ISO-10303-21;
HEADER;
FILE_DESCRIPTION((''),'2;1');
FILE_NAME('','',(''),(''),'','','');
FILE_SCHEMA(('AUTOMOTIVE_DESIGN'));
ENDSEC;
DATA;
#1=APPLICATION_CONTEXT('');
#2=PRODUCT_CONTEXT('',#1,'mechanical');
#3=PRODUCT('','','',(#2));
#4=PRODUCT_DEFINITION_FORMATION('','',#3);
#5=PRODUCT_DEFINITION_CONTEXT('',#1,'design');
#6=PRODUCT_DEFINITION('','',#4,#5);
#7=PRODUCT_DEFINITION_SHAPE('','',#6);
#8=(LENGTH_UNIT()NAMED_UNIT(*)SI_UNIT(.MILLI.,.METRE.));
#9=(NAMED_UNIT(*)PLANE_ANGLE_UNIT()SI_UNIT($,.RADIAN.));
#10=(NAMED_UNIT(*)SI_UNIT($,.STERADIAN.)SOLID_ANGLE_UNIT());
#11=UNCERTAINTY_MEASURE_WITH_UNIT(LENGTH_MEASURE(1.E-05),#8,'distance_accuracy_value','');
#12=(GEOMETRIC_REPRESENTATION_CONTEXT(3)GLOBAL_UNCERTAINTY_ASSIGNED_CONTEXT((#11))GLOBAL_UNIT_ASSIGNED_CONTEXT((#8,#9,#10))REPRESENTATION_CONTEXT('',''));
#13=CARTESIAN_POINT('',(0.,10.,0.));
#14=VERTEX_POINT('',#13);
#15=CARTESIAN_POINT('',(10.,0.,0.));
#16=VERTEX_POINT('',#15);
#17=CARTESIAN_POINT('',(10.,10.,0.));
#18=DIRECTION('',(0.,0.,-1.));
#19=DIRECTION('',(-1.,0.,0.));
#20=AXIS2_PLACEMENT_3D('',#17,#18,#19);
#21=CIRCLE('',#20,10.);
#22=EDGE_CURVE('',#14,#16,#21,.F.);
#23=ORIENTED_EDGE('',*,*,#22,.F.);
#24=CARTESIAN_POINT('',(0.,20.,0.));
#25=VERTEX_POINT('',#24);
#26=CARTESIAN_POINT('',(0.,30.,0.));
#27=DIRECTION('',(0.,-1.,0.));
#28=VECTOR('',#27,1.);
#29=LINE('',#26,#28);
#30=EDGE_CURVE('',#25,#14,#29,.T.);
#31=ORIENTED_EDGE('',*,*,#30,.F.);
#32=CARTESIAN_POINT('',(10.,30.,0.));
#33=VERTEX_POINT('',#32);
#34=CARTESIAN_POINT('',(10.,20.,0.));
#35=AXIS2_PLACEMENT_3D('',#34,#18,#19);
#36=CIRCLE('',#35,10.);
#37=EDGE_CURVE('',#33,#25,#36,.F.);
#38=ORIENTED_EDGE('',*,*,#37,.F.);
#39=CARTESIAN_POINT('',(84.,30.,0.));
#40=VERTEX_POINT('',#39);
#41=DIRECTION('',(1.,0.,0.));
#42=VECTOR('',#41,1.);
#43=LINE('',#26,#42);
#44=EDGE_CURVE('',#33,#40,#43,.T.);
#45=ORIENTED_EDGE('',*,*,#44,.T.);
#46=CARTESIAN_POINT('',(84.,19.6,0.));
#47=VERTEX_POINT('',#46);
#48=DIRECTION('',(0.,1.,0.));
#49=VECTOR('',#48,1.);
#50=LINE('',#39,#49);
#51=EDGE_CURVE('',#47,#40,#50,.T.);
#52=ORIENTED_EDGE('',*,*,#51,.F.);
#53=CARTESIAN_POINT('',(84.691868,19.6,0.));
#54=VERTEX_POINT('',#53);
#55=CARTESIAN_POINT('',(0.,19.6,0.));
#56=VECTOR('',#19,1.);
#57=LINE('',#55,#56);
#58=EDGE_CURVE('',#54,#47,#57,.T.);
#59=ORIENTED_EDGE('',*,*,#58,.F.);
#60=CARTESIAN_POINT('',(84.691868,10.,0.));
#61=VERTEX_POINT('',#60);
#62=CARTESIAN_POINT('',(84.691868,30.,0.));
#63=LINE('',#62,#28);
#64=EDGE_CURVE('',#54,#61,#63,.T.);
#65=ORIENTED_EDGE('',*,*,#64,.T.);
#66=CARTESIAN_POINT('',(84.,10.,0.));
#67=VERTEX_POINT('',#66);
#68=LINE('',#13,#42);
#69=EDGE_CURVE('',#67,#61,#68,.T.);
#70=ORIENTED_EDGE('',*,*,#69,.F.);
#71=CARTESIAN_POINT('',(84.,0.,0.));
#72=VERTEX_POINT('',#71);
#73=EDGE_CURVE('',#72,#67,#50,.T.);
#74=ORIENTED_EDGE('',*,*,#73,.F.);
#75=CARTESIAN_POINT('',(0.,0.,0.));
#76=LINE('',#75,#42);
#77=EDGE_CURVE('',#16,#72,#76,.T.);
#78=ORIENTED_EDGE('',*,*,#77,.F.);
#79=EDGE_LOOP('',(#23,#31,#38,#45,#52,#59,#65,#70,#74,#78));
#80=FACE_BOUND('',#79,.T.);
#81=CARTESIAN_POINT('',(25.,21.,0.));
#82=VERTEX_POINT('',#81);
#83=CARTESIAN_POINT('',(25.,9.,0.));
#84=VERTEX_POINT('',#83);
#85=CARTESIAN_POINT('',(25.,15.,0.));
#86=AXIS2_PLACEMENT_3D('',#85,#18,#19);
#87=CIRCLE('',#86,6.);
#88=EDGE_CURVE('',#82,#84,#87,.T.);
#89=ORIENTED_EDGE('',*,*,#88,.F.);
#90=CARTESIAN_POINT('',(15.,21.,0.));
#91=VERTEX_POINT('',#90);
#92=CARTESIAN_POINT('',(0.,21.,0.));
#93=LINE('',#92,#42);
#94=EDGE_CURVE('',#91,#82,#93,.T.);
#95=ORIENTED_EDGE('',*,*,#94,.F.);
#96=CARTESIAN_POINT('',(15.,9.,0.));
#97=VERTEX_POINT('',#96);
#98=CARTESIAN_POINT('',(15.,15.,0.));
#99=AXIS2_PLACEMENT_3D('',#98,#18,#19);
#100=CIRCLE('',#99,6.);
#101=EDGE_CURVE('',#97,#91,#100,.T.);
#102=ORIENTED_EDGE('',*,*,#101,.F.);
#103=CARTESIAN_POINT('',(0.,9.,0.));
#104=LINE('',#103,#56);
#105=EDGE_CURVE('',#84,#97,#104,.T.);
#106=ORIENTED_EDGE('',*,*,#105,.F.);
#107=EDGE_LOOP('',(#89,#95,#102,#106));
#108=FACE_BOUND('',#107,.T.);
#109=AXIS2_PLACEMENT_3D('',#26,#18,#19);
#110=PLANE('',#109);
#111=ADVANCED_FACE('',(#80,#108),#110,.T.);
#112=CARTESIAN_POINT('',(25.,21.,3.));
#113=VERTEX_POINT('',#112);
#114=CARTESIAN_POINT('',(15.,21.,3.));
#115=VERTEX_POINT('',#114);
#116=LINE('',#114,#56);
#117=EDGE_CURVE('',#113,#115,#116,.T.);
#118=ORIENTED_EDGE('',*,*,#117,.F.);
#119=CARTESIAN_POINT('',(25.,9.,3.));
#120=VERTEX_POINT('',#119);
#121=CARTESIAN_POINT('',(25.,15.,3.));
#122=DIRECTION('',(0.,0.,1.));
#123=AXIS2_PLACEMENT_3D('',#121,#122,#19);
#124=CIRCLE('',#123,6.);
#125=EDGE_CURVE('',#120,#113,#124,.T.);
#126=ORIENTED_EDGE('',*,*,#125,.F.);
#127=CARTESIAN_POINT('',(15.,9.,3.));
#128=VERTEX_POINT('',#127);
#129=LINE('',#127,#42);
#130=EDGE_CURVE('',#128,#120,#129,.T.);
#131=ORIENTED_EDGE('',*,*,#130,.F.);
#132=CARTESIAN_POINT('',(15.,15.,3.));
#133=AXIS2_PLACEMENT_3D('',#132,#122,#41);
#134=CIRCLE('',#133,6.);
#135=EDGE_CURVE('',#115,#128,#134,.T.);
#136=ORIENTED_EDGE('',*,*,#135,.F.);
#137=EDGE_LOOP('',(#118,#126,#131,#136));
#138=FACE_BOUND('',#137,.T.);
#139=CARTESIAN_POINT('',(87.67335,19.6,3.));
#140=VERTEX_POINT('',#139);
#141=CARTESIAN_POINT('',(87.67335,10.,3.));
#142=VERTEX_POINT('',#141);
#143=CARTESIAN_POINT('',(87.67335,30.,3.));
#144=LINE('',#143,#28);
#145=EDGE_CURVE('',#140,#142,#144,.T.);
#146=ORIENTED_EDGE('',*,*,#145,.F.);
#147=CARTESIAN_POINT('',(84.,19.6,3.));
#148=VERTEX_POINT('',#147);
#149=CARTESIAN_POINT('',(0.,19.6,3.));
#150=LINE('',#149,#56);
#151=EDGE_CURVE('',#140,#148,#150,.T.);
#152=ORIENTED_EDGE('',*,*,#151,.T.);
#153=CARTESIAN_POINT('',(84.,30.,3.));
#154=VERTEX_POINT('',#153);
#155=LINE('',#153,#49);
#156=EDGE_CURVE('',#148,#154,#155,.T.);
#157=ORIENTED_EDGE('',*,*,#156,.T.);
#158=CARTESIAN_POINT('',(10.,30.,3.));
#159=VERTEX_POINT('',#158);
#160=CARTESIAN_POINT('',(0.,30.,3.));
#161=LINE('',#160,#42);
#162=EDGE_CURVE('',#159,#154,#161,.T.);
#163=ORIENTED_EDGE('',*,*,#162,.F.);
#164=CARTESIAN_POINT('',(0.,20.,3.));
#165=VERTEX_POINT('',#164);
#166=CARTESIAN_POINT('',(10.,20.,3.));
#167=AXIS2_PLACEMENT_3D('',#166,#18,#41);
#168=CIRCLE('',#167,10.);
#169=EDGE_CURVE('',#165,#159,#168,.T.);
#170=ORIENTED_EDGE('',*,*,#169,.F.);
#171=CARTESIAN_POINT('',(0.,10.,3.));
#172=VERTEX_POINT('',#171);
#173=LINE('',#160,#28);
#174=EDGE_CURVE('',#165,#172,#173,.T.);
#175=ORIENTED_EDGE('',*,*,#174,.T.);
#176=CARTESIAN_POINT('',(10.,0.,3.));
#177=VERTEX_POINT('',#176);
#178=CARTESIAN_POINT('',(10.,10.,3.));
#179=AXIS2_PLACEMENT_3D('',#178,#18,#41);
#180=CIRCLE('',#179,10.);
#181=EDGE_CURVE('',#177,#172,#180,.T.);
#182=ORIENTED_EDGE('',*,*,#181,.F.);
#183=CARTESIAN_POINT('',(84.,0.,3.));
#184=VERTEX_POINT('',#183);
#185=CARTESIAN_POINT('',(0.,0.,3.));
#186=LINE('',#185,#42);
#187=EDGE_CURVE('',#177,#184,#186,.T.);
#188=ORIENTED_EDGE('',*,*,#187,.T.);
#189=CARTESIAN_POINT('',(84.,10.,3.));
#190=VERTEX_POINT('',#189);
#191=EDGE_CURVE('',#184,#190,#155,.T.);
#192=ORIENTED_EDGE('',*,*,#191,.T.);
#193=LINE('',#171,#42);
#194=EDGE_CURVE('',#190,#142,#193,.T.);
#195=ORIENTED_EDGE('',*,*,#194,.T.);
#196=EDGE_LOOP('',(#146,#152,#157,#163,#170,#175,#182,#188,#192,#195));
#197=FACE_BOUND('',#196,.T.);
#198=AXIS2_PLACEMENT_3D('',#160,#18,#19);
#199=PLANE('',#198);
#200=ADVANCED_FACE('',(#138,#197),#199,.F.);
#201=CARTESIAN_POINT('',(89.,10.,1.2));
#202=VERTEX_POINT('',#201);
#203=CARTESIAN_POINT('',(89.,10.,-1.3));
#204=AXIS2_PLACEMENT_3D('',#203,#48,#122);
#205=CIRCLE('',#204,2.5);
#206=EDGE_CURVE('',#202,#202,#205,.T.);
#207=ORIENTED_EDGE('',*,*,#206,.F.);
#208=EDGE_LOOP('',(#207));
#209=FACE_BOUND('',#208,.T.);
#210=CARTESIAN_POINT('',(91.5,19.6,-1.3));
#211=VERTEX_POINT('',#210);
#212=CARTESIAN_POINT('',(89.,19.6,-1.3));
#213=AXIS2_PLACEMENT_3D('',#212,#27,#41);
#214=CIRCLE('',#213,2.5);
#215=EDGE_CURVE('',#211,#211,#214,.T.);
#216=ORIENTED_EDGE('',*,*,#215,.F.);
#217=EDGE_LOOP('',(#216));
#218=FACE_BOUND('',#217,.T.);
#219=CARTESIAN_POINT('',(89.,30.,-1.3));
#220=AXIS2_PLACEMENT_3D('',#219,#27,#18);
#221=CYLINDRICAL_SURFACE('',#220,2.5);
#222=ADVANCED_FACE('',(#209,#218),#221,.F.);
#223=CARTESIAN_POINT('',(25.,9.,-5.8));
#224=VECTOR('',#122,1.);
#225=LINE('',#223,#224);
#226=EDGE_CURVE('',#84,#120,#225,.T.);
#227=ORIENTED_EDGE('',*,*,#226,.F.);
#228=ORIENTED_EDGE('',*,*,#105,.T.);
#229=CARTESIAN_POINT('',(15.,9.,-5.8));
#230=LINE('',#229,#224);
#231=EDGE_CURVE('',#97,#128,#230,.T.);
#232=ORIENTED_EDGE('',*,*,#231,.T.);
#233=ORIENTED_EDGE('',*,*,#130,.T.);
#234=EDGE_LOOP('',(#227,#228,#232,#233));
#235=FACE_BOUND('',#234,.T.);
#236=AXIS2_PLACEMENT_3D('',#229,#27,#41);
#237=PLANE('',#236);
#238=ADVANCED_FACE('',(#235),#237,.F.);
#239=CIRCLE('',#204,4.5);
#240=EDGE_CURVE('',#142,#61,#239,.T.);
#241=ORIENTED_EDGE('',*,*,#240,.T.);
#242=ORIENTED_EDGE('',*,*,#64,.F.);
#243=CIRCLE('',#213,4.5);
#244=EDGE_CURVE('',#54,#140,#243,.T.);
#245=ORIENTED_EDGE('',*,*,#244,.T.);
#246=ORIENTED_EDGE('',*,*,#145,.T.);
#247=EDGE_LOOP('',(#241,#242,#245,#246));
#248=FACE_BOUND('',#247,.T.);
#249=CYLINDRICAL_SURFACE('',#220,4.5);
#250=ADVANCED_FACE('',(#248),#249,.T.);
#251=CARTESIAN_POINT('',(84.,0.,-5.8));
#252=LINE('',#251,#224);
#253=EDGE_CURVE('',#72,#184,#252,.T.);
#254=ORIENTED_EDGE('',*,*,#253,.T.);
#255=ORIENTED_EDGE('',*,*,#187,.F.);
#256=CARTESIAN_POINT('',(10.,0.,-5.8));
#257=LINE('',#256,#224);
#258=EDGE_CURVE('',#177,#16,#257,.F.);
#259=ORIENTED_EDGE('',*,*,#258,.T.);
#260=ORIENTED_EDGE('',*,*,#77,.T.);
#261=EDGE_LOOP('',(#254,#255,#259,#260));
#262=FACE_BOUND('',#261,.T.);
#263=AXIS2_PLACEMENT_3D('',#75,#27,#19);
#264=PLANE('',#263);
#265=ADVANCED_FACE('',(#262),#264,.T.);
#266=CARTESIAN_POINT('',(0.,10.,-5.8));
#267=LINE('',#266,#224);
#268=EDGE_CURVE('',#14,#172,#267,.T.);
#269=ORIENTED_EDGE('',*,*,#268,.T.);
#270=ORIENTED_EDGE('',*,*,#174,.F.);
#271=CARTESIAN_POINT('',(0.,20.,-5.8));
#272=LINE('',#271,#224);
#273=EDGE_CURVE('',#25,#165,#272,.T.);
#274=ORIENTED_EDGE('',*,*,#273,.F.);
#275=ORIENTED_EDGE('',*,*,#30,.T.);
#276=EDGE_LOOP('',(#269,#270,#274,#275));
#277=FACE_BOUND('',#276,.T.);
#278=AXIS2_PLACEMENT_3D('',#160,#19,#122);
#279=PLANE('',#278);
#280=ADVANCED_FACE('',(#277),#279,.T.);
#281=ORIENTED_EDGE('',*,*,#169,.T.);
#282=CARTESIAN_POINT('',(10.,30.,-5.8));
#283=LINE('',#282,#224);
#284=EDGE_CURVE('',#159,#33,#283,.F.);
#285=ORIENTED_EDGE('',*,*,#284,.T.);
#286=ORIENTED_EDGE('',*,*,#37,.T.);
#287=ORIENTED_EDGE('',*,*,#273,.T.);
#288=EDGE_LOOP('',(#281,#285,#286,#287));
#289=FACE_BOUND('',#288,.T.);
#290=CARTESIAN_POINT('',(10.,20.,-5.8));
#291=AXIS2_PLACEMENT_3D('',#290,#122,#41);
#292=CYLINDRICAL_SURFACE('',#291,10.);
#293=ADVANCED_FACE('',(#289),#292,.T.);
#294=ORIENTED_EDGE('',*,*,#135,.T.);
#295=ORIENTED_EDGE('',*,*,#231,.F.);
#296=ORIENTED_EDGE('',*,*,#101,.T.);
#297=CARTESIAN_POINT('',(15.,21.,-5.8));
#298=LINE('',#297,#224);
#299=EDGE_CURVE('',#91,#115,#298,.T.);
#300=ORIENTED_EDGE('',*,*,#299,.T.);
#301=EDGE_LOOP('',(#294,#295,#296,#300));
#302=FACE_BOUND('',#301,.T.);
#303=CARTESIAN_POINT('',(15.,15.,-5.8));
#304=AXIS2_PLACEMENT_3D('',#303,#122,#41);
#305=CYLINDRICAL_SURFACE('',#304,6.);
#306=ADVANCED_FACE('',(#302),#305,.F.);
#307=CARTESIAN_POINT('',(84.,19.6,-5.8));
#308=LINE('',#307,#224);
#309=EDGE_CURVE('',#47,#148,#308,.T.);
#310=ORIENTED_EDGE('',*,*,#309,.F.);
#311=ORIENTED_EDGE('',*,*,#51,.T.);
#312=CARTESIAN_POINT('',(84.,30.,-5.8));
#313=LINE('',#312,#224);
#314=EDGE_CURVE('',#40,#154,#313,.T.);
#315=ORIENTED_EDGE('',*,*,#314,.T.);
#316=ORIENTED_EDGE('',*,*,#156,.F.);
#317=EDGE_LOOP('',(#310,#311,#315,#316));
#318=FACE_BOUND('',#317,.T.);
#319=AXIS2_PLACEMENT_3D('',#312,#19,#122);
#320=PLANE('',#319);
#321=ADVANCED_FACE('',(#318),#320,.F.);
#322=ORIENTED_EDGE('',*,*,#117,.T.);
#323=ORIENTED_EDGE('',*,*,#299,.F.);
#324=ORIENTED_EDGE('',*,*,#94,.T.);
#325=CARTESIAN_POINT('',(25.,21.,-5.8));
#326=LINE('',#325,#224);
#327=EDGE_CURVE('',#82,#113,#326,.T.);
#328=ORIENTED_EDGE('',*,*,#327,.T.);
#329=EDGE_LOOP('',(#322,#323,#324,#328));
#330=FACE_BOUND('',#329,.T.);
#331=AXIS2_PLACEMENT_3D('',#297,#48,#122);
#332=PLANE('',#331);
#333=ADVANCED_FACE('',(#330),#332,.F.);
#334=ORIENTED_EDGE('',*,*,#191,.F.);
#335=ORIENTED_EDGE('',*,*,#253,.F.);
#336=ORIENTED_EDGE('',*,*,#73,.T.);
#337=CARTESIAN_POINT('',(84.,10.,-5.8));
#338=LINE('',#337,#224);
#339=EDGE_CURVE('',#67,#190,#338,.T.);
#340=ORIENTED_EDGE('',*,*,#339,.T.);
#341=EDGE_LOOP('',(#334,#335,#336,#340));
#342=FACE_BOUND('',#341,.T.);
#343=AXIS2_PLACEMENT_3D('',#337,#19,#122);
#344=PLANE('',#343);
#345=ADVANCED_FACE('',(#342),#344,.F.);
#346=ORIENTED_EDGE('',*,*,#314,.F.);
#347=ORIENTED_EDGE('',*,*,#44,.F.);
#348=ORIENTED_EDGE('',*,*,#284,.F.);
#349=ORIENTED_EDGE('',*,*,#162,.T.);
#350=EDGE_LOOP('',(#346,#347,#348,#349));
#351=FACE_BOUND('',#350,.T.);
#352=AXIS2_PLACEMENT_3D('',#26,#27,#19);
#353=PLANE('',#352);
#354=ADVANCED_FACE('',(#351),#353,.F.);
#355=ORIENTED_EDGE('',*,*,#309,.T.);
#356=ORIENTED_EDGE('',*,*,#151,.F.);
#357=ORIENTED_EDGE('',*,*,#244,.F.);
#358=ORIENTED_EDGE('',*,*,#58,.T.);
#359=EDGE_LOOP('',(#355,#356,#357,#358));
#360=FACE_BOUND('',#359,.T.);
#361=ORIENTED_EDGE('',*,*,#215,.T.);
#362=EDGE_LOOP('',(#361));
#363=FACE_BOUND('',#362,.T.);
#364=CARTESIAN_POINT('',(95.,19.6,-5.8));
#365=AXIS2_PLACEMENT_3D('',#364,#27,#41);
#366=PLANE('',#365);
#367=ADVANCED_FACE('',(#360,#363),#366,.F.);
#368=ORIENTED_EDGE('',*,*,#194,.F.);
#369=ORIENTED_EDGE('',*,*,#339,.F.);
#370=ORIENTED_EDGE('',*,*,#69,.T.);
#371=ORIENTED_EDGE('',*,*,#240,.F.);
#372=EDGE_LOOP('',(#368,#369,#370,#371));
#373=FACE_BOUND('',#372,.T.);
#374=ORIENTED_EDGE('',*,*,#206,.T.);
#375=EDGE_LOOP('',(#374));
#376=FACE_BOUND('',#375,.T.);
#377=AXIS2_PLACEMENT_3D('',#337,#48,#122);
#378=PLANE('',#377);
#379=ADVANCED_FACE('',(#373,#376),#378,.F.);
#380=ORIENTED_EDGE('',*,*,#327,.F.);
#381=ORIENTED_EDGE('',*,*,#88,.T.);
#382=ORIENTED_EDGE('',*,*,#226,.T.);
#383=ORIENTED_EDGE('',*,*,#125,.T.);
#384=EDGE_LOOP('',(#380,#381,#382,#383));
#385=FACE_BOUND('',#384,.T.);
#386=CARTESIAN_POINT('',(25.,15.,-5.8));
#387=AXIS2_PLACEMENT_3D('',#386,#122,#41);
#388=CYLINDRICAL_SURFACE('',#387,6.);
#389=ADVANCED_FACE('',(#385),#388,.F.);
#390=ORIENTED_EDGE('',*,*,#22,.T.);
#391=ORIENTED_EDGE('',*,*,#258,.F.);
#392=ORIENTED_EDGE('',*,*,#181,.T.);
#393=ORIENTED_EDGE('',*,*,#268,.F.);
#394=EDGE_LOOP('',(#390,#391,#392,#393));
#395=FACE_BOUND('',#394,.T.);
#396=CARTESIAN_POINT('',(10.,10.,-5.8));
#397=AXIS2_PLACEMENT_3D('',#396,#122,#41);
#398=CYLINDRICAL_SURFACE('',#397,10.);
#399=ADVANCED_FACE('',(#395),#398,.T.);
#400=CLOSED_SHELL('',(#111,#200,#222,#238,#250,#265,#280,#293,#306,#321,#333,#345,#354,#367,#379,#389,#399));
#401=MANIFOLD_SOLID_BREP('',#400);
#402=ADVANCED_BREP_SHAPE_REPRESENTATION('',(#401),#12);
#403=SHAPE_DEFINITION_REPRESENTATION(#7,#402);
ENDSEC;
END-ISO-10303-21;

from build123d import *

# Parameters (mm, degrees)
SKETCH_1_W               = 88
SKETCH_1_H               = 3
EXTRUDE_1_DEPTH          = 30
SKETCH_2_R               = 4.5
EXTRUDE_1_2_DEPTH        = 30
SKETCH_3_R               = 2.5
CUT_EXTRUDE_1_DEPTH      = 31
SKETCH_4_W               = 11
SKETCH_4_H               = 10.4
SKETCH_4_H_2             = 10
CUT_EXTRUDE_2_DEPTH      = 4.2
CUT_EXTRUDE_2_DEPTH_BACK = 6.8
CUT_EXTRUDE_3_DEPTH      = 9.8


with BuildPart() as part:
    # Эскиз1 → Extrude 1 (new body)
    with BuildSketch(Plane(origin=(0, 0, 0), x_dir=(1, 0, 0), z_dir=(0, 1, 0))):
        with Locations((44, -1.5)):
            Rectangle(SKETCH_1_W, SKETCH_1_H)
    extrude(amount=EXTRUDE_1_DEPTH)

    # Эскиз2 → Extrude 1 2 (add)
    with BuildSketch(Plane(origin=(0, 0, 0), x_dir=(1, 0, 0), z_dir=(0, 1, 0))):
        with Locations((89, 1.3)):
            Circle(SKETCH_2_R)
    extrude(amount=EXTRUDE_1_2_DEPTH)

    # Эскиз3 → Вырез-Вытянуть1 (cut, through all)
    with BuildSketch(Plane(origin=(0, 0, 0), x_dir=(1, 0, 0), z_dir=(0, 1, 0))):
        with Locations((89, 1.3)):
            Circle(SKETCH_3_R)
    extrude(amount=CUT_EXTRUDE_1_DEPTH, mode=Mode.SUBTRACT)

    # Эскиз4 → Вырез-Вытянуть2 (cut, two sides)
    with BuildSketch(Plane.XY) as cut_extrude_2_sk:
        with Locations((89.5, 24.8)):
            Rectangle(SKETCH_4_W, SKETCH_4_H)
        with Locations((89.5, 5)):
            Rectangle(SKETCH_4_W, SKETCH_4_H_2)
    extrude(amount=CUT_EXTRUDE_2_DEPTH, mode=Mode.SUBTRACT)
    extrude(cut_extrude_2_sk.sketch, amount=-CUT_EXTRUDE_2_DEPTH_BACK, mode=Mode.SUBTRACT)

    # Эскиз5 → Вырез-Вытянуть3 (cut, through all)
    with BuildSketch(Plane.XY.offset(3)):
        with BuildLine():
            Line((15, 21), (25, 21))
            ThreePointArc((25, 21), (31, 15), (25, 9))
            Line((25, 9), (15, 9))
            ThreePointArc((15, 9), (9, 15), (15, 21))
        make_face()
        with BuildLine():
            Line((10, 30), (0, 30))
            Line((0, 30), (0, 20))
            ThreePointArc((0, 20), (2.928932188, 27.071067812), (10, 30))
        make_face()
        with BuildLine():
            Line((0, 10), (0, 0))
            Line((0, 0), (10, 0))
            ThreePointArc((10, 0), (2.928932188, 2.928932188), (0, 10))
        make_face()
    extrude(amount=-CUT_EXTRUDE_3_DEPTH, mode=Mode.SUBTRACT)


solid = part.part
